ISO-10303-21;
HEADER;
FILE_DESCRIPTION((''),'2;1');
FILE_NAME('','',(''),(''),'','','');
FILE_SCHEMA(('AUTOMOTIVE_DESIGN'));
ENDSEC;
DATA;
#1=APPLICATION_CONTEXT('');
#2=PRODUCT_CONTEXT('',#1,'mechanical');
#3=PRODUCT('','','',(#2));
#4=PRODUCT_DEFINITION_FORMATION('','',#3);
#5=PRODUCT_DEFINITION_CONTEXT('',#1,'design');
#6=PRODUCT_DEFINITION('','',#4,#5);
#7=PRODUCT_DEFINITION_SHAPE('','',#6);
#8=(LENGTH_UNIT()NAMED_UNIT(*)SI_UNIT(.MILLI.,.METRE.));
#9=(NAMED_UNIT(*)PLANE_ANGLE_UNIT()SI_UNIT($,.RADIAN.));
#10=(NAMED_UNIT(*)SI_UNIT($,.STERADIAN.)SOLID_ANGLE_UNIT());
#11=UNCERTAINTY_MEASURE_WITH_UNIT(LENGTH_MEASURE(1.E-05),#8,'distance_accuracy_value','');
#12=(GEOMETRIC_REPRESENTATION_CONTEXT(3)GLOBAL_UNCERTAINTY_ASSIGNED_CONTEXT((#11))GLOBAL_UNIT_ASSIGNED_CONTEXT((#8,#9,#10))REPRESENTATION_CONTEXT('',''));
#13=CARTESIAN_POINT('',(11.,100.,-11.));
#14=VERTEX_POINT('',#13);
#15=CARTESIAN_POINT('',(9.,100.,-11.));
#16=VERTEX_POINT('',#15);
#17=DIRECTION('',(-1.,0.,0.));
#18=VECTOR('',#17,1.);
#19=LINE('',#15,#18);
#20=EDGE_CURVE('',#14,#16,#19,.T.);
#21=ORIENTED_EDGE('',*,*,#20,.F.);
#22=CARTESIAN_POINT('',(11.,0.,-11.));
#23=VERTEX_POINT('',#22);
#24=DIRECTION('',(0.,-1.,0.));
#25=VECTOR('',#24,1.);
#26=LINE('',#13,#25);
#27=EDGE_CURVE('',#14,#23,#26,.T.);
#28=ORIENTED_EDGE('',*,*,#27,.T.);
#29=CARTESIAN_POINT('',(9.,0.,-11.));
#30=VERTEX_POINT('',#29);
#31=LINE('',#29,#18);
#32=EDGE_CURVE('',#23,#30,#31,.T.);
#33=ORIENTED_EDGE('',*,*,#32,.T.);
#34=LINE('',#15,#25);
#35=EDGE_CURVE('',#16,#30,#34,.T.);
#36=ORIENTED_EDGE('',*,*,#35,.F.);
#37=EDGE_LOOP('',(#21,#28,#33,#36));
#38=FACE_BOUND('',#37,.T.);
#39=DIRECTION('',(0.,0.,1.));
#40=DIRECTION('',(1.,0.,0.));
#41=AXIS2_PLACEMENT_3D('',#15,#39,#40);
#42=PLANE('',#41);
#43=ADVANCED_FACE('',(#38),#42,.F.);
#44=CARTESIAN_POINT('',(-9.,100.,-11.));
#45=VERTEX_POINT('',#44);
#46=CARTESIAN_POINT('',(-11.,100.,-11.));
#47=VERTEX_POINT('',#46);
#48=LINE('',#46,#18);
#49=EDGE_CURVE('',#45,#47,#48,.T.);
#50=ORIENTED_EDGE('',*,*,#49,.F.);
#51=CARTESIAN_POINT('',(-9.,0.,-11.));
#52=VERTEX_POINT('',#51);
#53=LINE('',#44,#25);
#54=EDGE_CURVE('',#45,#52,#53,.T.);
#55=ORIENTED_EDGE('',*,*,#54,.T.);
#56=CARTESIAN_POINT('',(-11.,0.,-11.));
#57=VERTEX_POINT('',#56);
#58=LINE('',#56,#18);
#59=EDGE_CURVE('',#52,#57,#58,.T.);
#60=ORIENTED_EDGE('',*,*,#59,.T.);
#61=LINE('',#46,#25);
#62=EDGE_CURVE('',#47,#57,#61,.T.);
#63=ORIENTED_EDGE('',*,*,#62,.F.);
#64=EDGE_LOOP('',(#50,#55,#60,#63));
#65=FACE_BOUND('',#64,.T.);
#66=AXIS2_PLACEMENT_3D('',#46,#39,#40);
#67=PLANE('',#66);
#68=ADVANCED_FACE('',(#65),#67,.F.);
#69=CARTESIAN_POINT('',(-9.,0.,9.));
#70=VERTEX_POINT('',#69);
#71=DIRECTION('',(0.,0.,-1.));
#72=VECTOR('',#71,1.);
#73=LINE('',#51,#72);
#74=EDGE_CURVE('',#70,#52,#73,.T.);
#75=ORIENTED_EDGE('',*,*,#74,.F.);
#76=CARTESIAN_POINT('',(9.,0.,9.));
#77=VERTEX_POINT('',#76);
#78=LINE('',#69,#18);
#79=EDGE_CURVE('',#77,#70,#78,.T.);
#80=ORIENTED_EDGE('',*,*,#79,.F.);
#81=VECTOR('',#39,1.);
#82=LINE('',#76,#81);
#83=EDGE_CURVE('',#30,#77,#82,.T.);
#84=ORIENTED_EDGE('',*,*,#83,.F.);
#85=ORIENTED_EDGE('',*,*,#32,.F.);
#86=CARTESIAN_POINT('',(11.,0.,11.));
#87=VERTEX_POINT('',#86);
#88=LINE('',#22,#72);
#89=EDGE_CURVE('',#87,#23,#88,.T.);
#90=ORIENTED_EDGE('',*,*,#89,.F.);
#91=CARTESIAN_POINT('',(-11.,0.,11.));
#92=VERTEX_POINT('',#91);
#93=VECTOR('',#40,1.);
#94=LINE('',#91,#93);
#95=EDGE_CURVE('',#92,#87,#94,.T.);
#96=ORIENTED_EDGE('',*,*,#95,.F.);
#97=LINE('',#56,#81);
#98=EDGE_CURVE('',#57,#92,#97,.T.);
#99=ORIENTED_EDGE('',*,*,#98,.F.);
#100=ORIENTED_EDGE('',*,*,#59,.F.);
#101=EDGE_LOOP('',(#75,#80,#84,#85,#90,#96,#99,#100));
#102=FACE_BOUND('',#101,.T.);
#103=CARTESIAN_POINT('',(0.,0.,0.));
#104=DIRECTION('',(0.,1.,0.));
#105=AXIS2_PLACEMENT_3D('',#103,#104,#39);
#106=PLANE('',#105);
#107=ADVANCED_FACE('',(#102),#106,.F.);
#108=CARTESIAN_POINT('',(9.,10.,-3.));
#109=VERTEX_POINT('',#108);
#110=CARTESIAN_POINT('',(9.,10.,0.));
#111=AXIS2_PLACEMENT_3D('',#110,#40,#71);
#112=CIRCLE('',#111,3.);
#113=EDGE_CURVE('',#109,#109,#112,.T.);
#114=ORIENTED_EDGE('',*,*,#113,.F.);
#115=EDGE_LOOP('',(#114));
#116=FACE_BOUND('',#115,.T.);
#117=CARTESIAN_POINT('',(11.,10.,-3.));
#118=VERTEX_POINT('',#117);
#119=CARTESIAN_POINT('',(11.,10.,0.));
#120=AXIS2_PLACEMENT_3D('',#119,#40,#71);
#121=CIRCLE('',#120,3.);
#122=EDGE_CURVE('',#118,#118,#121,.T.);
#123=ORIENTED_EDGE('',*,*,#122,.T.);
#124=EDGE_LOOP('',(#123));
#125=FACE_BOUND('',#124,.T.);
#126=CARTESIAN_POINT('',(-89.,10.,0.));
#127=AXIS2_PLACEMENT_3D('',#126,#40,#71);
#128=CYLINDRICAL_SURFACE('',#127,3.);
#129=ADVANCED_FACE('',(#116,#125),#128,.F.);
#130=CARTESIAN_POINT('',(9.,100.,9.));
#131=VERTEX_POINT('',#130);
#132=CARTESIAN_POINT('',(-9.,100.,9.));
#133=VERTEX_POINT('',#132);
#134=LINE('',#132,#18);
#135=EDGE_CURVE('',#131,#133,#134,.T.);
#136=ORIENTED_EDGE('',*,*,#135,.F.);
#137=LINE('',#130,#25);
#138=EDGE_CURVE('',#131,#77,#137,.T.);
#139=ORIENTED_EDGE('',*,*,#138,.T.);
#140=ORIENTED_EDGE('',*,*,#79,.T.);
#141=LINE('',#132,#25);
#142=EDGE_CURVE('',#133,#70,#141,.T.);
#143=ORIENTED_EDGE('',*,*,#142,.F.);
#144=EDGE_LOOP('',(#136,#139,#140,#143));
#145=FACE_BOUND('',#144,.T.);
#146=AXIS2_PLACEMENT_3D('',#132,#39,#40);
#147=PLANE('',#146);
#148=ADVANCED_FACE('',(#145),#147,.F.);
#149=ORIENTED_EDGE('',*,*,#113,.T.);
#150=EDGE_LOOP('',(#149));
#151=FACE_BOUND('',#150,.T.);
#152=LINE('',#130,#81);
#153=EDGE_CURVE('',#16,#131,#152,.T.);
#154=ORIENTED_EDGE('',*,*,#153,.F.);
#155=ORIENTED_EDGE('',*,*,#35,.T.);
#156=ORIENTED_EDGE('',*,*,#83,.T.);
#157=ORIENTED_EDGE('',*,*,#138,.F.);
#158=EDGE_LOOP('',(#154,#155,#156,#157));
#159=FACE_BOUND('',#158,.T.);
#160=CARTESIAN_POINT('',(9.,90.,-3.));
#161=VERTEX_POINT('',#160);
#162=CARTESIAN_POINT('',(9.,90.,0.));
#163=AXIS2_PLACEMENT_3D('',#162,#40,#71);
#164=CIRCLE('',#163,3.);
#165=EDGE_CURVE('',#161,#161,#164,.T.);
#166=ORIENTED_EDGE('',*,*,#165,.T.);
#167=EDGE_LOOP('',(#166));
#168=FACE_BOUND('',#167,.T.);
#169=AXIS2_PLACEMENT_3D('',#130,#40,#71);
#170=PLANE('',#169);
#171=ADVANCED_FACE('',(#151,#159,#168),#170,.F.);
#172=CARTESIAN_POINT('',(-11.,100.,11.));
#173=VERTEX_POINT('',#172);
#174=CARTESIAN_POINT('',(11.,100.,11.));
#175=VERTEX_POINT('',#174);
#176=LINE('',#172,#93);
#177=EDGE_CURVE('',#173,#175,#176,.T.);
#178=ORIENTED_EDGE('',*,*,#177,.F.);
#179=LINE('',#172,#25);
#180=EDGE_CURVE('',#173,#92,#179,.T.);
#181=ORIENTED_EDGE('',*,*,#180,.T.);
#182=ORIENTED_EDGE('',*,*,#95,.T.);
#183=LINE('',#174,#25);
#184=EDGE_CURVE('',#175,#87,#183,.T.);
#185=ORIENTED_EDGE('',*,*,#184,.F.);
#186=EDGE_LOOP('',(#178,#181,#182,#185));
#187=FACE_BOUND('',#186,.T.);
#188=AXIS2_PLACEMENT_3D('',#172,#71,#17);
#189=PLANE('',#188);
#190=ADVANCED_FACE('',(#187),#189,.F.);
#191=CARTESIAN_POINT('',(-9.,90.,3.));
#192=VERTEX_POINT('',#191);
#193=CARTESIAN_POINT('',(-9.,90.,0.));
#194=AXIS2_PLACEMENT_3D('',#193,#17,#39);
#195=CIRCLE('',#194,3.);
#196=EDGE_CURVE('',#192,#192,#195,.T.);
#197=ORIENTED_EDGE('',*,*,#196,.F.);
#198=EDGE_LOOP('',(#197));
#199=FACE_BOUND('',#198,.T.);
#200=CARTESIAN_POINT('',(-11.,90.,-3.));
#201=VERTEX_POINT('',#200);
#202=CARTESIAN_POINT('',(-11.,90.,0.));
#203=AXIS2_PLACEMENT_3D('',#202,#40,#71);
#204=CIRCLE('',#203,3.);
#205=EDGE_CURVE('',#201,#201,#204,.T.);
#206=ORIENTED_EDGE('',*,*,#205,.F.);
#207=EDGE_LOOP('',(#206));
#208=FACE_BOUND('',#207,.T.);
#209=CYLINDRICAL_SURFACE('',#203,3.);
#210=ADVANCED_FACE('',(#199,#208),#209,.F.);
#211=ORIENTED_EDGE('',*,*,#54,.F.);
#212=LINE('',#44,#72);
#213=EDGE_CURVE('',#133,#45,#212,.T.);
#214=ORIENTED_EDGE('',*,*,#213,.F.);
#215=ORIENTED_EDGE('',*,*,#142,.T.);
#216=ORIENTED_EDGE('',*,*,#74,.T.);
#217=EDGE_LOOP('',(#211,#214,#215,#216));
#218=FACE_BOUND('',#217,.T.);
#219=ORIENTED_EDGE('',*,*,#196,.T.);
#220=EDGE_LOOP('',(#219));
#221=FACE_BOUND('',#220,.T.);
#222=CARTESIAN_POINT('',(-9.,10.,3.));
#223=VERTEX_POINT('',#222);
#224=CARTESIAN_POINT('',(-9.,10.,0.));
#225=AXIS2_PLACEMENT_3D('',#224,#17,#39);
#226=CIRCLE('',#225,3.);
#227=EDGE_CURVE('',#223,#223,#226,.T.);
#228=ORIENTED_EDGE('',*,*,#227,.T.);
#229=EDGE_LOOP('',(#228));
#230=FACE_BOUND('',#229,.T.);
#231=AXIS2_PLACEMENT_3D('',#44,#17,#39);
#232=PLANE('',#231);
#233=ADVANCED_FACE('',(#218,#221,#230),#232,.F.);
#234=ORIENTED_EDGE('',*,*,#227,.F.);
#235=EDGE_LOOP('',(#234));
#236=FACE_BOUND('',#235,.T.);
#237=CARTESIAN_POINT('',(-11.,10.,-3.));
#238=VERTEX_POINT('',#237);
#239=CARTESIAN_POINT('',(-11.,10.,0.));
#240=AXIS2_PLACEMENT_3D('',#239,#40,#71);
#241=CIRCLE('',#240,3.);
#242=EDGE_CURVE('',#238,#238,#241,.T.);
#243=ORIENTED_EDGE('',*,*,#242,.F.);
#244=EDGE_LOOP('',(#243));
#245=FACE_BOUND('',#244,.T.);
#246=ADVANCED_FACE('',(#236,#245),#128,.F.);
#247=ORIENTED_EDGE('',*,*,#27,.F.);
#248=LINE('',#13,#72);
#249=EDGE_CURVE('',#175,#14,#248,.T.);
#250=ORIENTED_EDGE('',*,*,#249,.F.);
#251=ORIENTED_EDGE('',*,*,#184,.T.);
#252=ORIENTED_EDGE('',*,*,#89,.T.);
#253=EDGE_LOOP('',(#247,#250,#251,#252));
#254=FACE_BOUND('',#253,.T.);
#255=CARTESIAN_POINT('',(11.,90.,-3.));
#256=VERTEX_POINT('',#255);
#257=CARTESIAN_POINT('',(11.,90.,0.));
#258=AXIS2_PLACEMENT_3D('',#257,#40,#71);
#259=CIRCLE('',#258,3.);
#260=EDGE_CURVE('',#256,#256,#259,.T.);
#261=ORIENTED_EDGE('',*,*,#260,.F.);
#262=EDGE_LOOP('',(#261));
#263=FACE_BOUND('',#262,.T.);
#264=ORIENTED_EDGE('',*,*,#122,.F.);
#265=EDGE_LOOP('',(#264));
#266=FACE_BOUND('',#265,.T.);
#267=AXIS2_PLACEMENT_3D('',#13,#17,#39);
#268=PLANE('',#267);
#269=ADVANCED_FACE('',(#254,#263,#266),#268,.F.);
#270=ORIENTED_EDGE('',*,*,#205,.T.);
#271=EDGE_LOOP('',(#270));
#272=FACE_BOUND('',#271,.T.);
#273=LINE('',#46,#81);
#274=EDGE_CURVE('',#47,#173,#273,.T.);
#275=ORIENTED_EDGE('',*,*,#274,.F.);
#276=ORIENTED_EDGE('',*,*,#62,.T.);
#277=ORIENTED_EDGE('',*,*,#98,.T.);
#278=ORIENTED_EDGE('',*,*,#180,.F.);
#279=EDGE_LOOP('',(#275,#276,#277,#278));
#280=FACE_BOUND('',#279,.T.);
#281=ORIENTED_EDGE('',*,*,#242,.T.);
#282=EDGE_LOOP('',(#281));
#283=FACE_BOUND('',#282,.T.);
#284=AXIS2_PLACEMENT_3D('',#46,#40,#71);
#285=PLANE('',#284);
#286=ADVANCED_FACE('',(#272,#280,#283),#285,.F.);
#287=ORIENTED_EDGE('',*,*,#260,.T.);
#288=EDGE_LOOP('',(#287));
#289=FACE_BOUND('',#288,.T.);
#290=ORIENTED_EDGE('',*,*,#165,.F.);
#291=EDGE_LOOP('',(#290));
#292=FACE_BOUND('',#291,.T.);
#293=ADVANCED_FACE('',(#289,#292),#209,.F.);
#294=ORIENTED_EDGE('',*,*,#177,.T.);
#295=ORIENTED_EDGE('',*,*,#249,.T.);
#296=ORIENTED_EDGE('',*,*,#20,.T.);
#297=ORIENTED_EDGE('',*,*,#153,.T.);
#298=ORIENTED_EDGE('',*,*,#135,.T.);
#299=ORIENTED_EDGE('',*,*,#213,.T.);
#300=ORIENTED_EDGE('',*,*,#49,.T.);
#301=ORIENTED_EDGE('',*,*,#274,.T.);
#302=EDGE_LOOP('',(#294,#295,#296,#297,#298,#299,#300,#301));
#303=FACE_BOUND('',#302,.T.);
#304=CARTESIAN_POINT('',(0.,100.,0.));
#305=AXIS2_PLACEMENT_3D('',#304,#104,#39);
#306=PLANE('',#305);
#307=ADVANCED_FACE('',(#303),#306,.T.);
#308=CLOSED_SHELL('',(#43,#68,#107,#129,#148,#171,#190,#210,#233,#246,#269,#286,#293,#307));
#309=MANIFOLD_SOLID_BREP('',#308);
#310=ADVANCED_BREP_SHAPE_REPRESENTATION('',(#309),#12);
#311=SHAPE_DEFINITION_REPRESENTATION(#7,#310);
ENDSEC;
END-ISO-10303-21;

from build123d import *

# Parameters (mm, degrees)
SALIENTE_EXTRUIR1_DEPTH = 100
CROQUIS2_R              = 3
CORTAR_EXTRUIR1_DEPTH   = 100
CROQUIS3_R              = 3
CORTAR_EXTRUIR2_DEPTH   = 103.980580694


with BuildPart() as part:
    # Croquis1 → Saliente-Extruir1 (new body)
    with BuildSketch(Plane(origin=(0, 0, 0), x_dir=(1, 0, 0), z_dir=(0, 1, 0))):
        Polygon((-9, 11), (-9, -9), (9, -9), (9, 11), (11, 11), (11, -11), (-11, -11), (-11, 11), align=None)
    extrude(amount=SALIENTE_EXTRUIR1_DEPTH)

    # Croquis2 → Cortar-Extruir1 (cut)
    with BuildSketch(Plane(origin=(11, 0, 0), x_dir=(0, 0, -1), z_dir=(1, 0, 0))):
        with Locations((0, 10)):
            Circle(CROQUIS2_R)
    extrude(amount=-CORTAR_EXTRUIR1_DEPTH, mode=Mode.SUBTRACT)

    # Croquis3 → Cortar-Extruir2 (cut, through all)
    with BuildSketch(Plane(origin=(11, 0, 0), x_dir=(0, 0, -1), z_dir=(1, 0, 0))):
        with Locations((0, 90)):
            Circle(CROQUIS3_R)
    extrude(amount=-CORTAR_EXTRUIR2_DEPTH, mode=Mode.SUBTRACT)


solid = part.part
